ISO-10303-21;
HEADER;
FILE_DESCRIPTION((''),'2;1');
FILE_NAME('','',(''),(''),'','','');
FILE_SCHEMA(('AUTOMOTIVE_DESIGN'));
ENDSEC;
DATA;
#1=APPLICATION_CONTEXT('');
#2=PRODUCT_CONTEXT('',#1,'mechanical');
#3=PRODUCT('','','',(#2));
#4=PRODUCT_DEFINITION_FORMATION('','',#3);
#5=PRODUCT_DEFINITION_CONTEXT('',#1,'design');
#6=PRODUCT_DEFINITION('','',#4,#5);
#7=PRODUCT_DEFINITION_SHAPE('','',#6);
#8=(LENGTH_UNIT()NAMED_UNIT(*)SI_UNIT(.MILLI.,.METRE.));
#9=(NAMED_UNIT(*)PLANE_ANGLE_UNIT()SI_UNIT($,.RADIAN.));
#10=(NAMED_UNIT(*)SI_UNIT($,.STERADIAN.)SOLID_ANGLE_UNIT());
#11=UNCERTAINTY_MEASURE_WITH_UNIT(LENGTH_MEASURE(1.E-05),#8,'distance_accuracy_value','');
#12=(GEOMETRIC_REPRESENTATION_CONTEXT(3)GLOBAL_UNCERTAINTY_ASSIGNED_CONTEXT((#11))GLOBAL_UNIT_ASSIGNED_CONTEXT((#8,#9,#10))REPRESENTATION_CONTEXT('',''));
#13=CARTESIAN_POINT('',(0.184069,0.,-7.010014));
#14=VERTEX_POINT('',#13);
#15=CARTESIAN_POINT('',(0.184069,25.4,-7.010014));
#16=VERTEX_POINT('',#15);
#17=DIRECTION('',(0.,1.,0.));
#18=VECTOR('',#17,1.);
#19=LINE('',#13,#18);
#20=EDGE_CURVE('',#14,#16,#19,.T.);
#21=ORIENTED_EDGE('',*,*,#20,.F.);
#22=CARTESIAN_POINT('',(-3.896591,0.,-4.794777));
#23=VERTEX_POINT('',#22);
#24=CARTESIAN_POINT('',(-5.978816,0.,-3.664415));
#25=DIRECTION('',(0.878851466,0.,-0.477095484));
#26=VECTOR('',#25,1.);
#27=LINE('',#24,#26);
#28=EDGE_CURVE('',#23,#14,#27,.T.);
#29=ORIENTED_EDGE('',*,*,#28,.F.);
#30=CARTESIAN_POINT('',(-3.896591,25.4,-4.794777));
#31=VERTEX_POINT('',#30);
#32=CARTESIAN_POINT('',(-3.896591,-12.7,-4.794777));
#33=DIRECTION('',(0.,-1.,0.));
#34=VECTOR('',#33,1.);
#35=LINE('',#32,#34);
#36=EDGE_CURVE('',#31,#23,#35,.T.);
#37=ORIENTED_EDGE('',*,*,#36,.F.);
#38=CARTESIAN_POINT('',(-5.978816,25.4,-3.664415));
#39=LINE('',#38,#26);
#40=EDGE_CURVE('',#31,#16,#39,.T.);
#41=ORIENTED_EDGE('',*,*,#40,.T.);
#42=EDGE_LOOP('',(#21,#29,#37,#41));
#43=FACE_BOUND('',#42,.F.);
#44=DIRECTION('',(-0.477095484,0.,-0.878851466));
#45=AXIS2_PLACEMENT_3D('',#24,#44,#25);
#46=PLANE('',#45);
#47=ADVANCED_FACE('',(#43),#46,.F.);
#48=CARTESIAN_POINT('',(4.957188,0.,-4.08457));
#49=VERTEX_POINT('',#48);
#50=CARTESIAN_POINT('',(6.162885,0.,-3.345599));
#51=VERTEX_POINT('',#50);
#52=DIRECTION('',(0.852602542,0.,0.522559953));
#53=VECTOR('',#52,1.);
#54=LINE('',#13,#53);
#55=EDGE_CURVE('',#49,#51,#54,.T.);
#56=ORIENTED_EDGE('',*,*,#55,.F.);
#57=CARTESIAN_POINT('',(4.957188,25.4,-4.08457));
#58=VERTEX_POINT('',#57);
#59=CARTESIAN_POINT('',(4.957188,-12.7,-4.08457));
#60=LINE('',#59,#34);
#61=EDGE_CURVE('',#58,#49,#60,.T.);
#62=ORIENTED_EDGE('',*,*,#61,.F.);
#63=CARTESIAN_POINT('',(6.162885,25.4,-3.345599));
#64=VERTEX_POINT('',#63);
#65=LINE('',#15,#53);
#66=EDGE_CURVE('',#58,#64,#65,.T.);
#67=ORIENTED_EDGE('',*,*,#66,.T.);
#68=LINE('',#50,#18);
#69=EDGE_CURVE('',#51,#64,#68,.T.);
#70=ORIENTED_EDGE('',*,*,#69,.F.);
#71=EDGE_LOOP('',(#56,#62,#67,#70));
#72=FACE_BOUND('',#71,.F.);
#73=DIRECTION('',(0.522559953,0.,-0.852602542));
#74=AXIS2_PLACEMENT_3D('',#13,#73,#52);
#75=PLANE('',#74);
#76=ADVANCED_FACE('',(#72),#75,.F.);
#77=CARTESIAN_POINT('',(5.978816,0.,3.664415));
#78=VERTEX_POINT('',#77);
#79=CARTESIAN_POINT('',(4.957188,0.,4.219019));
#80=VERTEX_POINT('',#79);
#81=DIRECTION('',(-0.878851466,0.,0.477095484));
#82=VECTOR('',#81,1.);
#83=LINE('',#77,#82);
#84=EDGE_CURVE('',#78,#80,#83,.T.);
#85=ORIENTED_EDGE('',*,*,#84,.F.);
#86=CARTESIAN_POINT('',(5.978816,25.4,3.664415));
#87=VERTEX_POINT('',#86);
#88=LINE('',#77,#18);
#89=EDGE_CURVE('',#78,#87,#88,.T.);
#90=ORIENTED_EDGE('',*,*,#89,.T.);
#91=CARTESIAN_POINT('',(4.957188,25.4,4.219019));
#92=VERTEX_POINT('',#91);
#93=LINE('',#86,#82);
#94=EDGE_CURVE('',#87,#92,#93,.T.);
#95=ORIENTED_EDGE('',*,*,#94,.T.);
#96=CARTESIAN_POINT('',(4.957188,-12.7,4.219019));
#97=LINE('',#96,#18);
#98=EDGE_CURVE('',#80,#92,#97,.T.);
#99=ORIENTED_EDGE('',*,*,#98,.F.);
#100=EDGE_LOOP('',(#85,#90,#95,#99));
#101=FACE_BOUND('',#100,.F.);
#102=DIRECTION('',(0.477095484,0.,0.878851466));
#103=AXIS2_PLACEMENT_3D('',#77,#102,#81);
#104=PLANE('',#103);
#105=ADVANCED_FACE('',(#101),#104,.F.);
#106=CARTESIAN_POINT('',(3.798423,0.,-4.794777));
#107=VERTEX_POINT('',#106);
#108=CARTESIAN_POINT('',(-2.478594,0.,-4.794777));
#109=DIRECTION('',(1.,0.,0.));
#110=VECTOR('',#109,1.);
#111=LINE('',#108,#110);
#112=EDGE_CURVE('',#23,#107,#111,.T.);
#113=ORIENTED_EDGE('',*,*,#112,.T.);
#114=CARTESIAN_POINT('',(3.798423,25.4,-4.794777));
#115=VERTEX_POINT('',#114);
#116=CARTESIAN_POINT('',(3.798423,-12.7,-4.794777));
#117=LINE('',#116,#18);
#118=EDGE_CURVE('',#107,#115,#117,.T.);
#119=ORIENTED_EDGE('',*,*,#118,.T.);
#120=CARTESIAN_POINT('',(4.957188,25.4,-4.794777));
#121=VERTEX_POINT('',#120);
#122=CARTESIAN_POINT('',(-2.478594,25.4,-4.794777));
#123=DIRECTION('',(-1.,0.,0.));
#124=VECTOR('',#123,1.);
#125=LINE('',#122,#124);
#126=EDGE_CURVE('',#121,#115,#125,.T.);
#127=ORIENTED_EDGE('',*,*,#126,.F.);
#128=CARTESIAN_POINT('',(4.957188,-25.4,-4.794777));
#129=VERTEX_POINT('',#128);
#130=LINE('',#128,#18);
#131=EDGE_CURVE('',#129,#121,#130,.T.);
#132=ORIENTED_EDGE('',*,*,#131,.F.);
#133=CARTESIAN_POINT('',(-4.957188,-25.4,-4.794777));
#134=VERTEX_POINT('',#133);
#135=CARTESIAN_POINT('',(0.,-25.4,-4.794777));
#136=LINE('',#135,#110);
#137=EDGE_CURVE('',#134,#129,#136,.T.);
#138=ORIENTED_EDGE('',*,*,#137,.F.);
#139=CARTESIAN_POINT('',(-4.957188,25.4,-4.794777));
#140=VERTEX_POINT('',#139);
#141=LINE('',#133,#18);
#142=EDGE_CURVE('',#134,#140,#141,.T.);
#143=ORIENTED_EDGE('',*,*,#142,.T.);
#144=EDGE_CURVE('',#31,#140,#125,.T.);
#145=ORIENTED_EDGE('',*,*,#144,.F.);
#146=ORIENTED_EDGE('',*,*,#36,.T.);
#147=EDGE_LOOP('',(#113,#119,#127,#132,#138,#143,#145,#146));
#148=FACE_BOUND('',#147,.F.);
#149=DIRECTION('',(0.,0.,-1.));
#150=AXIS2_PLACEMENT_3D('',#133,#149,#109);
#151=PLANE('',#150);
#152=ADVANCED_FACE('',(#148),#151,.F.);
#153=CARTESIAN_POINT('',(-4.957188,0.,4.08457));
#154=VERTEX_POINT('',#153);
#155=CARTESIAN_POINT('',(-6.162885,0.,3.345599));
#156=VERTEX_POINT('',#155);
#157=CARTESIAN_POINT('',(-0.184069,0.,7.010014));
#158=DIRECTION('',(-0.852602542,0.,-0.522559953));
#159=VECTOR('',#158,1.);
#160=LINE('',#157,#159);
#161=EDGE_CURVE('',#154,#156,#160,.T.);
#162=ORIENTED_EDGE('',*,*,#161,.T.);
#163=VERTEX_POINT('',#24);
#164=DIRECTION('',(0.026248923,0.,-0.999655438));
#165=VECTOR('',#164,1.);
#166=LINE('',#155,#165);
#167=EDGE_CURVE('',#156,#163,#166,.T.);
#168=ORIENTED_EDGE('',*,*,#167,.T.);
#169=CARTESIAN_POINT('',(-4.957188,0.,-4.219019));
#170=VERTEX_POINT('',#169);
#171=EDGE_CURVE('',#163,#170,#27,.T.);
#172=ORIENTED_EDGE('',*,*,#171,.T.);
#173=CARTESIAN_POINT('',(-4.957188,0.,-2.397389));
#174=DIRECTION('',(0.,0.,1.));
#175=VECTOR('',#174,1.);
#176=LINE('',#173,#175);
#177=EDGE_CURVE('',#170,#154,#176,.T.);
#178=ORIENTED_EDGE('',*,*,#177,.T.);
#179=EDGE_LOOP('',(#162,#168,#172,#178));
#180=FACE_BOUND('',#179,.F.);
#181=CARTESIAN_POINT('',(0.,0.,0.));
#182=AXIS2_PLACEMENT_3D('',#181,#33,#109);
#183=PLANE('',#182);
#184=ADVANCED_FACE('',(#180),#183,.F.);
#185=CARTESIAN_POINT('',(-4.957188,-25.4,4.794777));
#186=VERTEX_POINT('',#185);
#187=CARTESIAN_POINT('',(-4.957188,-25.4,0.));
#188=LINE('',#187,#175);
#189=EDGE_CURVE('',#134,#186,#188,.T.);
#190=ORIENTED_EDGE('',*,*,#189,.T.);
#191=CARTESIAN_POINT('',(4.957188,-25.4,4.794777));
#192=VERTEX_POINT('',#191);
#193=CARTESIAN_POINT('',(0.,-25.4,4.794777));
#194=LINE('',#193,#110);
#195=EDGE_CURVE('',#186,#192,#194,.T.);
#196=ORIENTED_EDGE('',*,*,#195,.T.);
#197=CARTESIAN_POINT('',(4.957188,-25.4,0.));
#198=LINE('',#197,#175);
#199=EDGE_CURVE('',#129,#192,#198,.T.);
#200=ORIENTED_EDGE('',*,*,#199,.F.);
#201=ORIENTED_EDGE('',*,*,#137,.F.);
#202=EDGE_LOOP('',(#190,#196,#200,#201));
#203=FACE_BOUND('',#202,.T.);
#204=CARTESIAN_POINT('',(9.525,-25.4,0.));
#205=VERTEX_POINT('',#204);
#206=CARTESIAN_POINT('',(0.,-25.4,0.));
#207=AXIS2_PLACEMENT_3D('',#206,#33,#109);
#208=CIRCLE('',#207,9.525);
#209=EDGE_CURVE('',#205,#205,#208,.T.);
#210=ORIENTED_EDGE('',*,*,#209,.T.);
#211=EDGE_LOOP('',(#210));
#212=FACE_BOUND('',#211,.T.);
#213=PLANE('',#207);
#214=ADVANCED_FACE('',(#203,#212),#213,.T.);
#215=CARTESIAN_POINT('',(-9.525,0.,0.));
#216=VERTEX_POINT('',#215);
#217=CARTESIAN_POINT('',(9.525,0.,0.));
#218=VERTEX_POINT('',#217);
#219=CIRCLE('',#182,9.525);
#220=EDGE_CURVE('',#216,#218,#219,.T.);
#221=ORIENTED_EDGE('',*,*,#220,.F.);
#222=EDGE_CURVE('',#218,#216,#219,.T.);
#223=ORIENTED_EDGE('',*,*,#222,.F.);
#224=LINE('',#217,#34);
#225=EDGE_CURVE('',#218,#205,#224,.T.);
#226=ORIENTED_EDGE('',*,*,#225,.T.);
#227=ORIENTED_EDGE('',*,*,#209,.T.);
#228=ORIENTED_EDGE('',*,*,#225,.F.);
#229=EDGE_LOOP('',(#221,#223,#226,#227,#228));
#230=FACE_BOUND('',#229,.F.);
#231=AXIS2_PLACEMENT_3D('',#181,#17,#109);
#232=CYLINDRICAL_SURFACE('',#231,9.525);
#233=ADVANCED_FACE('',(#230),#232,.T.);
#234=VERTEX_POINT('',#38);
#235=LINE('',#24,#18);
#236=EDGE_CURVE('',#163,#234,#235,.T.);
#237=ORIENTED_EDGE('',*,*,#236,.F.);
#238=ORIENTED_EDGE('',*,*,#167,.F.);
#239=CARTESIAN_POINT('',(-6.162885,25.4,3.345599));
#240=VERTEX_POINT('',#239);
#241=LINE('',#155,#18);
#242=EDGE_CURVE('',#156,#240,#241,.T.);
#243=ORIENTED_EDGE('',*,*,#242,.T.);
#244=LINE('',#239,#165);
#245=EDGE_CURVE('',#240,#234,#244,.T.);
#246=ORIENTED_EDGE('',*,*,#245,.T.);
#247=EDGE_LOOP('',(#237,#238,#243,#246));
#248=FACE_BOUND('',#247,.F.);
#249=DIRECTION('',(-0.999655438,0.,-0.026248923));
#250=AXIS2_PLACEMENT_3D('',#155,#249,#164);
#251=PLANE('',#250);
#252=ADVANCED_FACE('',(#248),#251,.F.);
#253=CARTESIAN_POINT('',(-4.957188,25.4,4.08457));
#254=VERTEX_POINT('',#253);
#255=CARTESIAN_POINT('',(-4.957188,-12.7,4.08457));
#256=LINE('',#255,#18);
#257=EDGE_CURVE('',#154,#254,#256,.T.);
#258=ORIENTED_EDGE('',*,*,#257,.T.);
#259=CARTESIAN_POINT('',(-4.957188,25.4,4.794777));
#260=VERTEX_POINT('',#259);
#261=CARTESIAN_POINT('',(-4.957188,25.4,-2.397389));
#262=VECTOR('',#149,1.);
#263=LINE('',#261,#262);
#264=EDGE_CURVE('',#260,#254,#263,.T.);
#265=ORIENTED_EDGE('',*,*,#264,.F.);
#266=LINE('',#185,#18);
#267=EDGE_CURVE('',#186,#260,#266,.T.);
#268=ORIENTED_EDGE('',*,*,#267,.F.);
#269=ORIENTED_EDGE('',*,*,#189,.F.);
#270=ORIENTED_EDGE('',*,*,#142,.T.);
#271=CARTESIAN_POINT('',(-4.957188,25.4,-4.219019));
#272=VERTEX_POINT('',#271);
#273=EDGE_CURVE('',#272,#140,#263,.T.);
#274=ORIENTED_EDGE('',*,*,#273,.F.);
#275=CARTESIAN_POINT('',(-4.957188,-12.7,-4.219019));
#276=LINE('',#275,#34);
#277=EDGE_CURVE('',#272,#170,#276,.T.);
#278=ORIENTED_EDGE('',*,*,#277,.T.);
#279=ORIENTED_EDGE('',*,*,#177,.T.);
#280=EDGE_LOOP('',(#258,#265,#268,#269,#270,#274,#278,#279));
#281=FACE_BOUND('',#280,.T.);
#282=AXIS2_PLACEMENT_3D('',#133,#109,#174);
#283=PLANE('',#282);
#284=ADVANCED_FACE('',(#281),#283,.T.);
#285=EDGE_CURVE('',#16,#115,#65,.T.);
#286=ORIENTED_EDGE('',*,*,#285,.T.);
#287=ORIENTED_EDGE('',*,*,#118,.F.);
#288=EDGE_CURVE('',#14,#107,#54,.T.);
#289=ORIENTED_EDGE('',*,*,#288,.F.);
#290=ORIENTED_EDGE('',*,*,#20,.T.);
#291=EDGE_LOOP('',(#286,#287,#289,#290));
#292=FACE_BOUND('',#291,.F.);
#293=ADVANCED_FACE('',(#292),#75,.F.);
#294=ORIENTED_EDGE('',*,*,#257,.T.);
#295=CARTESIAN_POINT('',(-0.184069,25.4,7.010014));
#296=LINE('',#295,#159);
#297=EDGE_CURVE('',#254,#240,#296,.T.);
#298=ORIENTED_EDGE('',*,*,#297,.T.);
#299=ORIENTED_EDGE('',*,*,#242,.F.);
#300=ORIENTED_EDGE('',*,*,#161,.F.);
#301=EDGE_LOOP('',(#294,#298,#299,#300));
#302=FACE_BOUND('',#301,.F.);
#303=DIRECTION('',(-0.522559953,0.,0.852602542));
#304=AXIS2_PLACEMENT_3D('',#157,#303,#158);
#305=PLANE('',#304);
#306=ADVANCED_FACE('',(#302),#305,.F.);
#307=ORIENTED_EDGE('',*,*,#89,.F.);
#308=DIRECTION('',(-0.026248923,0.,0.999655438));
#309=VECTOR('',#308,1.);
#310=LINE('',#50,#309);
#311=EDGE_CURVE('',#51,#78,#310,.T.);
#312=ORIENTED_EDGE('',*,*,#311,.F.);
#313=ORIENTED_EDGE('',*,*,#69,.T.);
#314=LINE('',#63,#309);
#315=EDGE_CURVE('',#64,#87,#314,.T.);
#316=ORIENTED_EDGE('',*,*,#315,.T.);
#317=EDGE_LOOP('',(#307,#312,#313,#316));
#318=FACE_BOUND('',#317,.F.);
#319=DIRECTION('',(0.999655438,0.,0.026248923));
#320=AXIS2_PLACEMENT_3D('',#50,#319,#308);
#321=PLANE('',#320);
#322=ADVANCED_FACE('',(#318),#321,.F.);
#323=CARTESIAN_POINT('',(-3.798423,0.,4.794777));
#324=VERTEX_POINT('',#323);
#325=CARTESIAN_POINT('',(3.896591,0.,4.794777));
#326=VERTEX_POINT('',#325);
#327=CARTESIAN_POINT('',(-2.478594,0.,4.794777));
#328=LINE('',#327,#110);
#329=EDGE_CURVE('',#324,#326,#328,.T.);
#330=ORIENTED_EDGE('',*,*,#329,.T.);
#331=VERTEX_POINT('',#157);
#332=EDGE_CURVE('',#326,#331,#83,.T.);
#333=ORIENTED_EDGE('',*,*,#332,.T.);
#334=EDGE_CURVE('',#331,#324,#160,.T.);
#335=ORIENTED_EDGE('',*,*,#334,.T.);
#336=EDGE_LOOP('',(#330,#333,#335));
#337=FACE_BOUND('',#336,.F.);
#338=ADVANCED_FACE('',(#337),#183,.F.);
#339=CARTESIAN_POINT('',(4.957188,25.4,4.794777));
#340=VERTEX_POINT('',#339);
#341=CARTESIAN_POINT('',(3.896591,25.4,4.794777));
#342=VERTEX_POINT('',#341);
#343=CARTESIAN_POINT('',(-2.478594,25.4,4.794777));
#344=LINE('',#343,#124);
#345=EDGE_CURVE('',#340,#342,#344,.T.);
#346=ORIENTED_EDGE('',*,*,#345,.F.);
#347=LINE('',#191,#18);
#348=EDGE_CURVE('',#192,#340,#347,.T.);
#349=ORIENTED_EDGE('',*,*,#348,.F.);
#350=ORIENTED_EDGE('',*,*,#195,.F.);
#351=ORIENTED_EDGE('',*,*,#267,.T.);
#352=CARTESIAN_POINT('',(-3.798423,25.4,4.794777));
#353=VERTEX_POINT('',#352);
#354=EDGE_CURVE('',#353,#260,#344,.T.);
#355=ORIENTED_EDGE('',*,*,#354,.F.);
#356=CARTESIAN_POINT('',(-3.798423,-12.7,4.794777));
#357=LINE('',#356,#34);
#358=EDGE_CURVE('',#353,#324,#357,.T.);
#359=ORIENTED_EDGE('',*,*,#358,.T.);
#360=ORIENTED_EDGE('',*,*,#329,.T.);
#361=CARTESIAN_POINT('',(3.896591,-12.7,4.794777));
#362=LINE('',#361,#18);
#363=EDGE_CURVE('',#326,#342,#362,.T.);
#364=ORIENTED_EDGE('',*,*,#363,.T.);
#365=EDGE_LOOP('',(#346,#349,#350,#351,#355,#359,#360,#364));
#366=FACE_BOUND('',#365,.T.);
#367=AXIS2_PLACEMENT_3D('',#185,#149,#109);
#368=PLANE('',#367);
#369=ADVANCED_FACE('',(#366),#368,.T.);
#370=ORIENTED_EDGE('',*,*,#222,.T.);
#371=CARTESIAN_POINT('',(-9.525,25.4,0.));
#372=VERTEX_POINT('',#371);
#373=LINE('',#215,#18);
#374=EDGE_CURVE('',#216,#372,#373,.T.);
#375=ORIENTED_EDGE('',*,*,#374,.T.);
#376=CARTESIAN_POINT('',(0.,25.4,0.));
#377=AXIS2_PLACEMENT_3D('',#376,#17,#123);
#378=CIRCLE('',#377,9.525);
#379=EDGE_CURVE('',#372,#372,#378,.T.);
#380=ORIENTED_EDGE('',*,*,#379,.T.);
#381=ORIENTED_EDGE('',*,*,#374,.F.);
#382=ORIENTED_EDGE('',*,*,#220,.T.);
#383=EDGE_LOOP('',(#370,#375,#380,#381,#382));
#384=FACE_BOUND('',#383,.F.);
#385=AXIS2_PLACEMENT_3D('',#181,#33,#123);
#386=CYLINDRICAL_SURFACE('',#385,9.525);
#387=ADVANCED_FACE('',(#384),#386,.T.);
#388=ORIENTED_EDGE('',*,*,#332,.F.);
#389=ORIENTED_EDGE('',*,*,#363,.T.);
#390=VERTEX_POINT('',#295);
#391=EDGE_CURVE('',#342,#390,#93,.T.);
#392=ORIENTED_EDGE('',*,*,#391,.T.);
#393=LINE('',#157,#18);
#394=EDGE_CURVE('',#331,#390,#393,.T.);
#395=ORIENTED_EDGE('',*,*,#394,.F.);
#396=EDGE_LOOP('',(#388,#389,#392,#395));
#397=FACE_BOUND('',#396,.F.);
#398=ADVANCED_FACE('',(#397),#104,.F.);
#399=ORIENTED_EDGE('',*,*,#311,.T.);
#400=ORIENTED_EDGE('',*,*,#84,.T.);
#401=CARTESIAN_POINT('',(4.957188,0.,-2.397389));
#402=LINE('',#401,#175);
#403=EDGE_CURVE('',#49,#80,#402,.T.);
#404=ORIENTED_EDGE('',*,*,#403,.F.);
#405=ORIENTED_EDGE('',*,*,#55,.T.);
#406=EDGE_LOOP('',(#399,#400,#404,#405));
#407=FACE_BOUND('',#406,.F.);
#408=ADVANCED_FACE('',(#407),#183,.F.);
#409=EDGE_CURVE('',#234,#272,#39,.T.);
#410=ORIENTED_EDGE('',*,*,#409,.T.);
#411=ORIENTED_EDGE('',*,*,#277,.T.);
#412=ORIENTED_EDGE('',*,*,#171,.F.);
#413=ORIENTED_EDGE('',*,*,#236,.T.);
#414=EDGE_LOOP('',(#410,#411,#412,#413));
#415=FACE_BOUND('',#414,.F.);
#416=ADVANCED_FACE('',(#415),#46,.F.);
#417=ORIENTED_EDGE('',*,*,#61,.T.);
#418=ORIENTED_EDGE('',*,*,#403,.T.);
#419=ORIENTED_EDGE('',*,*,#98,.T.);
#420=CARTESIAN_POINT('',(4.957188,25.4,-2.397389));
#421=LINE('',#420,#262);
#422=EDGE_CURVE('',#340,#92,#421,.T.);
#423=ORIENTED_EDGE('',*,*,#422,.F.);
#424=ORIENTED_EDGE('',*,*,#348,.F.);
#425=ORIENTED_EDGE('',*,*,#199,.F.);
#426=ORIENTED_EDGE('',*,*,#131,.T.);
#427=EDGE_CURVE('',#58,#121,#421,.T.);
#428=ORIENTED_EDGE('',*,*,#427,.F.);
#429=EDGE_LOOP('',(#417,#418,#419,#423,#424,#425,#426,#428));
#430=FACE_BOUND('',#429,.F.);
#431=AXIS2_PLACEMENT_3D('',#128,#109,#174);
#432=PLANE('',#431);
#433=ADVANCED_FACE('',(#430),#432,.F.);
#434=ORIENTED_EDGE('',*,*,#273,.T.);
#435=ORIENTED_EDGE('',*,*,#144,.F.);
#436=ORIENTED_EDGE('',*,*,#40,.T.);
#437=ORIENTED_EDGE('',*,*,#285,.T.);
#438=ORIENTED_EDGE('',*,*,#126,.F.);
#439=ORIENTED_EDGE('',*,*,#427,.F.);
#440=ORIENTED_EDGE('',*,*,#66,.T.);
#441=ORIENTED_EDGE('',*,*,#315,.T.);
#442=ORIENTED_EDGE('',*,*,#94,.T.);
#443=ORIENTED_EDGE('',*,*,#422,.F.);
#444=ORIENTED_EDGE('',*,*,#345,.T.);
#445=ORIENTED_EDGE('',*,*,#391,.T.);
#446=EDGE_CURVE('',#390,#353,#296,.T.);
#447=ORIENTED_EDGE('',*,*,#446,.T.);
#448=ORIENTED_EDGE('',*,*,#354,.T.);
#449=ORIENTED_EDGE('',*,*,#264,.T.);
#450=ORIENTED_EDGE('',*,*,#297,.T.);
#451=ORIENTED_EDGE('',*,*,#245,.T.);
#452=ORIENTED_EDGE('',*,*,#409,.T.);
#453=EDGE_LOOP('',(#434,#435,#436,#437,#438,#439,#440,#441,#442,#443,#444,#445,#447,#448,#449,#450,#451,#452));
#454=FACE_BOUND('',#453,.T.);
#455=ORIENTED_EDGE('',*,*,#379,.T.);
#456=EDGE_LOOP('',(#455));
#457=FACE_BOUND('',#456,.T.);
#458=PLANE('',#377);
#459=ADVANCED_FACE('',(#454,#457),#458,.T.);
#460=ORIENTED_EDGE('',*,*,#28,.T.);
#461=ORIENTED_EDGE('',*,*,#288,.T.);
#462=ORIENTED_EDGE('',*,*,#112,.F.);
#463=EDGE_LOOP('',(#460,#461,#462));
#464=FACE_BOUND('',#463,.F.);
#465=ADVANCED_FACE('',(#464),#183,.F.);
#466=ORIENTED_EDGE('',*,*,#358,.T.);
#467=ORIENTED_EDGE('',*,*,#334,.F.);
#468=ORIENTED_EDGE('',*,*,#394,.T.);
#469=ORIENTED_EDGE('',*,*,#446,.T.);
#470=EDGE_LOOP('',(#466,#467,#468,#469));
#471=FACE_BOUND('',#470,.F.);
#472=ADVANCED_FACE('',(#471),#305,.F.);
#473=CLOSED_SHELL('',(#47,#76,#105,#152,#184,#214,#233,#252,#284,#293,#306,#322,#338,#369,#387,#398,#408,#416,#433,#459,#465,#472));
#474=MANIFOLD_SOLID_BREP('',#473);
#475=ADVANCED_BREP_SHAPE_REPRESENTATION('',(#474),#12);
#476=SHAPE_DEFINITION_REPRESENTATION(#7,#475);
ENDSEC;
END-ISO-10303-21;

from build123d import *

# Parameters (mm, degrees)
F0_R     = 9.525
F1_DEPTH = 25.4
F3_DEPTH = 25.401
F4_R     = 9.525
F5_DEPTH = 25.4
F6_W     = 9.9143758416
F6_H     = 9.589554742
F7_DEPTH = 50.801


with BuildPart() as f1:
    # F0 (on Front) → F1 (new body)
    with BuildSketch(Plane.XZ):
        Circle(F0_R)
    extrude(amount=F1_DEPTH)

    # F2 (on Front) → F3 (cut, through all)
    with BuildSketch(Plane.XZ):
        with BuildLine():
            ThreePointArc((-4.7625, 0), (-3.3675960454, -3.3675960454), (0, -4.7625))
            ThreePointArc((0, -4.7625), (3.3675960454, -3.3675960454), (4.7625, 0))
            ThreePointArc((4.7625, 0), (3.3675960454, 3.3675960454), (0, 4.7625))
            ThreePointArc((0, 4.7625), (-3.3675960454, 3.3675960454), (-4.7625, 0))
        make_face()
    extrude(amount=F3_DEPTH, mode=Mode.SUBTRACT)

    # F4 (on face) → F5 (join)
    with BuildSketch(Plane(origin=(0, 0, 0), x_dir=(-1, 0, 0), z_dir=(0, 1, 0))):
        Circle(F4_R)
        Polygon((-5.9788160654, 3.6644153505), (0.1840687509, 7.0100142725), (6.1628848163, 3.3455989219), (5.9788160654, -3.6644153505), (-0.1840687509, -7.0100142725), (-6.1628848163, -3.3455989219), align=None, mode=Mode.SUBTRACT)
    extrude(amount=F5_DEPTH)

    # F6 (on face) → F7 (cut, through all)
    with BuildSketch(Plane.XZ.offset(25.4)):
        Rectangle(F6_W, F6_H)
    extrude(amount=-F7_DEPTH, mode=Mode.SUBTRACT)


solid = f1.part
